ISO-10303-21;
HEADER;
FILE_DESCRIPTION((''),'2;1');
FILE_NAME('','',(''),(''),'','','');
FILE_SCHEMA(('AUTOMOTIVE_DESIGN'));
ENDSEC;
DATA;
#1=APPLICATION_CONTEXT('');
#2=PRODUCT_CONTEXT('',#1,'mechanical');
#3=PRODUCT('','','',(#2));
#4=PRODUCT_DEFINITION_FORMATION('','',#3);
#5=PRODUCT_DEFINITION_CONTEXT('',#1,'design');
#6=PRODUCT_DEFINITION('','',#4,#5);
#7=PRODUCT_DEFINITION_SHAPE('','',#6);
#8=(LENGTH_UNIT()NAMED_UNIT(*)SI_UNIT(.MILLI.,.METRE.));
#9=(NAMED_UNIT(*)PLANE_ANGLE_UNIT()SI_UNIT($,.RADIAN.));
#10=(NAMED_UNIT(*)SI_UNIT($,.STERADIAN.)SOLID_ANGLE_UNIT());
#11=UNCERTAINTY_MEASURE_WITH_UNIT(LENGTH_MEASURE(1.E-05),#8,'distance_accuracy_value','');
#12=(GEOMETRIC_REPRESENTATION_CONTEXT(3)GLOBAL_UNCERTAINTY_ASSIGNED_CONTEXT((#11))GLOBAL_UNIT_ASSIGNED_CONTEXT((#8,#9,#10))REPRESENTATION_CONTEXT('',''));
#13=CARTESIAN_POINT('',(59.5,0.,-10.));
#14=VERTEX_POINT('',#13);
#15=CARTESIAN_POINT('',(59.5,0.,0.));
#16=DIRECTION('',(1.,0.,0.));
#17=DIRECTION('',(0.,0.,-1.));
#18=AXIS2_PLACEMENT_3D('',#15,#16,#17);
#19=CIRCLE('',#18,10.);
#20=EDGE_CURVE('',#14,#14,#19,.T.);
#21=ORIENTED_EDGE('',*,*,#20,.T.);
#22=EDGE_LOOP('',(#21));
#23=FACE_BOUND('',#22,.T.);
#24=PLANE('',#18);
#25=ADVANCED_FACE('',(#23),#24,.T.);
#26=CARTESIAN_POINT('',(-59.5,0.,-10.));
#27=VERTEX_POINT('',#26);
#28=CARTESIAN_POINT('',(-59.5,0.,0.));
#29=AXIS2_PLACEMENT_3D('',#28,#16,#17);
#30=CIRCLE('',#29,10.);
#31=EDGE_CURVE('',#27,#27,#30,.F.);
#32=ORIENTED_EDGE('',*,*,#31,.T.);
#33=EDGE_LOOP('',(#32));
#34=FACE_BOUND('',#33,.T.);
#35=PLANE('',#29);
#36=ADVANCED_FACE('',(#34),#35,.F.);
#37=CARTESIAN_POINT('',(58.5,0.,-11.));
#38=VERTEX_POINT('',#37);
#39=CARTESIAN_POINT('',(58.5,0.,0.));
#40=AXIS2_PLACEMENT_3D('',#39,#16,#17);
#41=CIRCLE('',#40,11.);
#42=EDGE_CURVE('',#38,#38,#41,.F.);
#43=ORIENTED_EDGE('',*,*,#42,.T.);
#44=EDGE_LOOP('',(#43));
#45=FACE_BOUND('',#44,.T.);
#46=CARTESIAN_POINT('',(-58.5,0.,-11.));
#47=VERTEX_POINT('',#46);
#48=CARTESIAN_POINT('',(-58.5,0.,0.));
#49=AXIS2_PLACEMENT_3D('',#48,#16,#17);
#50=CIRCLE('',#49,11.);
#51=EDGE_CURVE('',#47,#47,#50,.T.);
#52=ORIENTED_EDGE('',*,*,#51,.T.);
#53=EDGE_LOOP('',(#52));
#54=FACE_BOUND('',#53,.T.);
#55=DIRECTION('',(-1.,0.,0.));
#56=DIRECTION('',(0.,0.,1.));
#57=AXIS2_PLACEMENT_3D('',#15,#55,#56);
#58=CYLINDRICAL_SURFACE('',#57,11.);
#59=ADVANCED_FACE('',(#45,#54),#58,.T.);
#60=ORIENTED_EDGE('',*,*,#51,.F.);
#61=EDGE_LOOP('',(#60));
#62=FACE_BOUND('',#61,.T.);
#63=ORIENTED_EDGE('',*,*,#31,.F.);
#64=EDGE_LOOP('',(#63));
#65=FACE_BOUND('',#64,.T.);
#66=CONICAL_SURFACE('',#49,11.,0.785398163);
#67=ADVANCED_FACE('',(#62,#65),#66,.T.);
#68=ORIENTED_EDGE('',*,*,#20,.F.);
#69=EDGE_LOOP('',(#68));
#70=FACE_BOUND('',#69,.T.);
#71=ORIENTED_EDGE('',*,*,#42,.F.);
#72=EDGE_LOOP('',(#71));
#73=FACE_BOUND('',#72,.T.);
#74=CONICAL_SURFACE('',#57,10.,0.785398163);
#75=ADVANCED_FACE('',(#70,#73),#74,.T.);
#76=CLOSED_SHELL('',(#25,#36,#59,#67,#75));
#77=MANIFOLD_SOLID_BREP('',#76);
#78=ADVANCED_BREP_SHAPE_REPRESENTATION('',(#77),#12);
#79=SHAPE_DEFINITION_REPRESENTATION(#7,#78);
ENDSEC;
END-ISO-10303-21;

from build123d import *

# Parameters (mm, degrees)
SKETCH1_R           = 11
BOSS_EXTRUDE1_DEPTH = 59.5
CHAMFER1_SIZE       = 1


with BuildPart() as part:
    # Sketch1 → Boss-Extrude1 (new body, symmetric)
    with BuildSketch(Plane(origin=(0, 0, 0), x_dir=(0, 0, -1), z_dir=(1, 0, 0))):
        Circle(SKETCH1_R)
    extrude(amount=BOSS_EXTRUDE1_DEPTH, both=True)

    # Chamfer1
    chamfer1_edges = [part.edges().sort_by_distance(p)[0] for p in [
        (-59.5, 0, 11),
        (59.5, 0, 11),
    ]]
    chamfer(chamfer1_edges, length=CHAMFER1_SIZE)


solid = part.part
